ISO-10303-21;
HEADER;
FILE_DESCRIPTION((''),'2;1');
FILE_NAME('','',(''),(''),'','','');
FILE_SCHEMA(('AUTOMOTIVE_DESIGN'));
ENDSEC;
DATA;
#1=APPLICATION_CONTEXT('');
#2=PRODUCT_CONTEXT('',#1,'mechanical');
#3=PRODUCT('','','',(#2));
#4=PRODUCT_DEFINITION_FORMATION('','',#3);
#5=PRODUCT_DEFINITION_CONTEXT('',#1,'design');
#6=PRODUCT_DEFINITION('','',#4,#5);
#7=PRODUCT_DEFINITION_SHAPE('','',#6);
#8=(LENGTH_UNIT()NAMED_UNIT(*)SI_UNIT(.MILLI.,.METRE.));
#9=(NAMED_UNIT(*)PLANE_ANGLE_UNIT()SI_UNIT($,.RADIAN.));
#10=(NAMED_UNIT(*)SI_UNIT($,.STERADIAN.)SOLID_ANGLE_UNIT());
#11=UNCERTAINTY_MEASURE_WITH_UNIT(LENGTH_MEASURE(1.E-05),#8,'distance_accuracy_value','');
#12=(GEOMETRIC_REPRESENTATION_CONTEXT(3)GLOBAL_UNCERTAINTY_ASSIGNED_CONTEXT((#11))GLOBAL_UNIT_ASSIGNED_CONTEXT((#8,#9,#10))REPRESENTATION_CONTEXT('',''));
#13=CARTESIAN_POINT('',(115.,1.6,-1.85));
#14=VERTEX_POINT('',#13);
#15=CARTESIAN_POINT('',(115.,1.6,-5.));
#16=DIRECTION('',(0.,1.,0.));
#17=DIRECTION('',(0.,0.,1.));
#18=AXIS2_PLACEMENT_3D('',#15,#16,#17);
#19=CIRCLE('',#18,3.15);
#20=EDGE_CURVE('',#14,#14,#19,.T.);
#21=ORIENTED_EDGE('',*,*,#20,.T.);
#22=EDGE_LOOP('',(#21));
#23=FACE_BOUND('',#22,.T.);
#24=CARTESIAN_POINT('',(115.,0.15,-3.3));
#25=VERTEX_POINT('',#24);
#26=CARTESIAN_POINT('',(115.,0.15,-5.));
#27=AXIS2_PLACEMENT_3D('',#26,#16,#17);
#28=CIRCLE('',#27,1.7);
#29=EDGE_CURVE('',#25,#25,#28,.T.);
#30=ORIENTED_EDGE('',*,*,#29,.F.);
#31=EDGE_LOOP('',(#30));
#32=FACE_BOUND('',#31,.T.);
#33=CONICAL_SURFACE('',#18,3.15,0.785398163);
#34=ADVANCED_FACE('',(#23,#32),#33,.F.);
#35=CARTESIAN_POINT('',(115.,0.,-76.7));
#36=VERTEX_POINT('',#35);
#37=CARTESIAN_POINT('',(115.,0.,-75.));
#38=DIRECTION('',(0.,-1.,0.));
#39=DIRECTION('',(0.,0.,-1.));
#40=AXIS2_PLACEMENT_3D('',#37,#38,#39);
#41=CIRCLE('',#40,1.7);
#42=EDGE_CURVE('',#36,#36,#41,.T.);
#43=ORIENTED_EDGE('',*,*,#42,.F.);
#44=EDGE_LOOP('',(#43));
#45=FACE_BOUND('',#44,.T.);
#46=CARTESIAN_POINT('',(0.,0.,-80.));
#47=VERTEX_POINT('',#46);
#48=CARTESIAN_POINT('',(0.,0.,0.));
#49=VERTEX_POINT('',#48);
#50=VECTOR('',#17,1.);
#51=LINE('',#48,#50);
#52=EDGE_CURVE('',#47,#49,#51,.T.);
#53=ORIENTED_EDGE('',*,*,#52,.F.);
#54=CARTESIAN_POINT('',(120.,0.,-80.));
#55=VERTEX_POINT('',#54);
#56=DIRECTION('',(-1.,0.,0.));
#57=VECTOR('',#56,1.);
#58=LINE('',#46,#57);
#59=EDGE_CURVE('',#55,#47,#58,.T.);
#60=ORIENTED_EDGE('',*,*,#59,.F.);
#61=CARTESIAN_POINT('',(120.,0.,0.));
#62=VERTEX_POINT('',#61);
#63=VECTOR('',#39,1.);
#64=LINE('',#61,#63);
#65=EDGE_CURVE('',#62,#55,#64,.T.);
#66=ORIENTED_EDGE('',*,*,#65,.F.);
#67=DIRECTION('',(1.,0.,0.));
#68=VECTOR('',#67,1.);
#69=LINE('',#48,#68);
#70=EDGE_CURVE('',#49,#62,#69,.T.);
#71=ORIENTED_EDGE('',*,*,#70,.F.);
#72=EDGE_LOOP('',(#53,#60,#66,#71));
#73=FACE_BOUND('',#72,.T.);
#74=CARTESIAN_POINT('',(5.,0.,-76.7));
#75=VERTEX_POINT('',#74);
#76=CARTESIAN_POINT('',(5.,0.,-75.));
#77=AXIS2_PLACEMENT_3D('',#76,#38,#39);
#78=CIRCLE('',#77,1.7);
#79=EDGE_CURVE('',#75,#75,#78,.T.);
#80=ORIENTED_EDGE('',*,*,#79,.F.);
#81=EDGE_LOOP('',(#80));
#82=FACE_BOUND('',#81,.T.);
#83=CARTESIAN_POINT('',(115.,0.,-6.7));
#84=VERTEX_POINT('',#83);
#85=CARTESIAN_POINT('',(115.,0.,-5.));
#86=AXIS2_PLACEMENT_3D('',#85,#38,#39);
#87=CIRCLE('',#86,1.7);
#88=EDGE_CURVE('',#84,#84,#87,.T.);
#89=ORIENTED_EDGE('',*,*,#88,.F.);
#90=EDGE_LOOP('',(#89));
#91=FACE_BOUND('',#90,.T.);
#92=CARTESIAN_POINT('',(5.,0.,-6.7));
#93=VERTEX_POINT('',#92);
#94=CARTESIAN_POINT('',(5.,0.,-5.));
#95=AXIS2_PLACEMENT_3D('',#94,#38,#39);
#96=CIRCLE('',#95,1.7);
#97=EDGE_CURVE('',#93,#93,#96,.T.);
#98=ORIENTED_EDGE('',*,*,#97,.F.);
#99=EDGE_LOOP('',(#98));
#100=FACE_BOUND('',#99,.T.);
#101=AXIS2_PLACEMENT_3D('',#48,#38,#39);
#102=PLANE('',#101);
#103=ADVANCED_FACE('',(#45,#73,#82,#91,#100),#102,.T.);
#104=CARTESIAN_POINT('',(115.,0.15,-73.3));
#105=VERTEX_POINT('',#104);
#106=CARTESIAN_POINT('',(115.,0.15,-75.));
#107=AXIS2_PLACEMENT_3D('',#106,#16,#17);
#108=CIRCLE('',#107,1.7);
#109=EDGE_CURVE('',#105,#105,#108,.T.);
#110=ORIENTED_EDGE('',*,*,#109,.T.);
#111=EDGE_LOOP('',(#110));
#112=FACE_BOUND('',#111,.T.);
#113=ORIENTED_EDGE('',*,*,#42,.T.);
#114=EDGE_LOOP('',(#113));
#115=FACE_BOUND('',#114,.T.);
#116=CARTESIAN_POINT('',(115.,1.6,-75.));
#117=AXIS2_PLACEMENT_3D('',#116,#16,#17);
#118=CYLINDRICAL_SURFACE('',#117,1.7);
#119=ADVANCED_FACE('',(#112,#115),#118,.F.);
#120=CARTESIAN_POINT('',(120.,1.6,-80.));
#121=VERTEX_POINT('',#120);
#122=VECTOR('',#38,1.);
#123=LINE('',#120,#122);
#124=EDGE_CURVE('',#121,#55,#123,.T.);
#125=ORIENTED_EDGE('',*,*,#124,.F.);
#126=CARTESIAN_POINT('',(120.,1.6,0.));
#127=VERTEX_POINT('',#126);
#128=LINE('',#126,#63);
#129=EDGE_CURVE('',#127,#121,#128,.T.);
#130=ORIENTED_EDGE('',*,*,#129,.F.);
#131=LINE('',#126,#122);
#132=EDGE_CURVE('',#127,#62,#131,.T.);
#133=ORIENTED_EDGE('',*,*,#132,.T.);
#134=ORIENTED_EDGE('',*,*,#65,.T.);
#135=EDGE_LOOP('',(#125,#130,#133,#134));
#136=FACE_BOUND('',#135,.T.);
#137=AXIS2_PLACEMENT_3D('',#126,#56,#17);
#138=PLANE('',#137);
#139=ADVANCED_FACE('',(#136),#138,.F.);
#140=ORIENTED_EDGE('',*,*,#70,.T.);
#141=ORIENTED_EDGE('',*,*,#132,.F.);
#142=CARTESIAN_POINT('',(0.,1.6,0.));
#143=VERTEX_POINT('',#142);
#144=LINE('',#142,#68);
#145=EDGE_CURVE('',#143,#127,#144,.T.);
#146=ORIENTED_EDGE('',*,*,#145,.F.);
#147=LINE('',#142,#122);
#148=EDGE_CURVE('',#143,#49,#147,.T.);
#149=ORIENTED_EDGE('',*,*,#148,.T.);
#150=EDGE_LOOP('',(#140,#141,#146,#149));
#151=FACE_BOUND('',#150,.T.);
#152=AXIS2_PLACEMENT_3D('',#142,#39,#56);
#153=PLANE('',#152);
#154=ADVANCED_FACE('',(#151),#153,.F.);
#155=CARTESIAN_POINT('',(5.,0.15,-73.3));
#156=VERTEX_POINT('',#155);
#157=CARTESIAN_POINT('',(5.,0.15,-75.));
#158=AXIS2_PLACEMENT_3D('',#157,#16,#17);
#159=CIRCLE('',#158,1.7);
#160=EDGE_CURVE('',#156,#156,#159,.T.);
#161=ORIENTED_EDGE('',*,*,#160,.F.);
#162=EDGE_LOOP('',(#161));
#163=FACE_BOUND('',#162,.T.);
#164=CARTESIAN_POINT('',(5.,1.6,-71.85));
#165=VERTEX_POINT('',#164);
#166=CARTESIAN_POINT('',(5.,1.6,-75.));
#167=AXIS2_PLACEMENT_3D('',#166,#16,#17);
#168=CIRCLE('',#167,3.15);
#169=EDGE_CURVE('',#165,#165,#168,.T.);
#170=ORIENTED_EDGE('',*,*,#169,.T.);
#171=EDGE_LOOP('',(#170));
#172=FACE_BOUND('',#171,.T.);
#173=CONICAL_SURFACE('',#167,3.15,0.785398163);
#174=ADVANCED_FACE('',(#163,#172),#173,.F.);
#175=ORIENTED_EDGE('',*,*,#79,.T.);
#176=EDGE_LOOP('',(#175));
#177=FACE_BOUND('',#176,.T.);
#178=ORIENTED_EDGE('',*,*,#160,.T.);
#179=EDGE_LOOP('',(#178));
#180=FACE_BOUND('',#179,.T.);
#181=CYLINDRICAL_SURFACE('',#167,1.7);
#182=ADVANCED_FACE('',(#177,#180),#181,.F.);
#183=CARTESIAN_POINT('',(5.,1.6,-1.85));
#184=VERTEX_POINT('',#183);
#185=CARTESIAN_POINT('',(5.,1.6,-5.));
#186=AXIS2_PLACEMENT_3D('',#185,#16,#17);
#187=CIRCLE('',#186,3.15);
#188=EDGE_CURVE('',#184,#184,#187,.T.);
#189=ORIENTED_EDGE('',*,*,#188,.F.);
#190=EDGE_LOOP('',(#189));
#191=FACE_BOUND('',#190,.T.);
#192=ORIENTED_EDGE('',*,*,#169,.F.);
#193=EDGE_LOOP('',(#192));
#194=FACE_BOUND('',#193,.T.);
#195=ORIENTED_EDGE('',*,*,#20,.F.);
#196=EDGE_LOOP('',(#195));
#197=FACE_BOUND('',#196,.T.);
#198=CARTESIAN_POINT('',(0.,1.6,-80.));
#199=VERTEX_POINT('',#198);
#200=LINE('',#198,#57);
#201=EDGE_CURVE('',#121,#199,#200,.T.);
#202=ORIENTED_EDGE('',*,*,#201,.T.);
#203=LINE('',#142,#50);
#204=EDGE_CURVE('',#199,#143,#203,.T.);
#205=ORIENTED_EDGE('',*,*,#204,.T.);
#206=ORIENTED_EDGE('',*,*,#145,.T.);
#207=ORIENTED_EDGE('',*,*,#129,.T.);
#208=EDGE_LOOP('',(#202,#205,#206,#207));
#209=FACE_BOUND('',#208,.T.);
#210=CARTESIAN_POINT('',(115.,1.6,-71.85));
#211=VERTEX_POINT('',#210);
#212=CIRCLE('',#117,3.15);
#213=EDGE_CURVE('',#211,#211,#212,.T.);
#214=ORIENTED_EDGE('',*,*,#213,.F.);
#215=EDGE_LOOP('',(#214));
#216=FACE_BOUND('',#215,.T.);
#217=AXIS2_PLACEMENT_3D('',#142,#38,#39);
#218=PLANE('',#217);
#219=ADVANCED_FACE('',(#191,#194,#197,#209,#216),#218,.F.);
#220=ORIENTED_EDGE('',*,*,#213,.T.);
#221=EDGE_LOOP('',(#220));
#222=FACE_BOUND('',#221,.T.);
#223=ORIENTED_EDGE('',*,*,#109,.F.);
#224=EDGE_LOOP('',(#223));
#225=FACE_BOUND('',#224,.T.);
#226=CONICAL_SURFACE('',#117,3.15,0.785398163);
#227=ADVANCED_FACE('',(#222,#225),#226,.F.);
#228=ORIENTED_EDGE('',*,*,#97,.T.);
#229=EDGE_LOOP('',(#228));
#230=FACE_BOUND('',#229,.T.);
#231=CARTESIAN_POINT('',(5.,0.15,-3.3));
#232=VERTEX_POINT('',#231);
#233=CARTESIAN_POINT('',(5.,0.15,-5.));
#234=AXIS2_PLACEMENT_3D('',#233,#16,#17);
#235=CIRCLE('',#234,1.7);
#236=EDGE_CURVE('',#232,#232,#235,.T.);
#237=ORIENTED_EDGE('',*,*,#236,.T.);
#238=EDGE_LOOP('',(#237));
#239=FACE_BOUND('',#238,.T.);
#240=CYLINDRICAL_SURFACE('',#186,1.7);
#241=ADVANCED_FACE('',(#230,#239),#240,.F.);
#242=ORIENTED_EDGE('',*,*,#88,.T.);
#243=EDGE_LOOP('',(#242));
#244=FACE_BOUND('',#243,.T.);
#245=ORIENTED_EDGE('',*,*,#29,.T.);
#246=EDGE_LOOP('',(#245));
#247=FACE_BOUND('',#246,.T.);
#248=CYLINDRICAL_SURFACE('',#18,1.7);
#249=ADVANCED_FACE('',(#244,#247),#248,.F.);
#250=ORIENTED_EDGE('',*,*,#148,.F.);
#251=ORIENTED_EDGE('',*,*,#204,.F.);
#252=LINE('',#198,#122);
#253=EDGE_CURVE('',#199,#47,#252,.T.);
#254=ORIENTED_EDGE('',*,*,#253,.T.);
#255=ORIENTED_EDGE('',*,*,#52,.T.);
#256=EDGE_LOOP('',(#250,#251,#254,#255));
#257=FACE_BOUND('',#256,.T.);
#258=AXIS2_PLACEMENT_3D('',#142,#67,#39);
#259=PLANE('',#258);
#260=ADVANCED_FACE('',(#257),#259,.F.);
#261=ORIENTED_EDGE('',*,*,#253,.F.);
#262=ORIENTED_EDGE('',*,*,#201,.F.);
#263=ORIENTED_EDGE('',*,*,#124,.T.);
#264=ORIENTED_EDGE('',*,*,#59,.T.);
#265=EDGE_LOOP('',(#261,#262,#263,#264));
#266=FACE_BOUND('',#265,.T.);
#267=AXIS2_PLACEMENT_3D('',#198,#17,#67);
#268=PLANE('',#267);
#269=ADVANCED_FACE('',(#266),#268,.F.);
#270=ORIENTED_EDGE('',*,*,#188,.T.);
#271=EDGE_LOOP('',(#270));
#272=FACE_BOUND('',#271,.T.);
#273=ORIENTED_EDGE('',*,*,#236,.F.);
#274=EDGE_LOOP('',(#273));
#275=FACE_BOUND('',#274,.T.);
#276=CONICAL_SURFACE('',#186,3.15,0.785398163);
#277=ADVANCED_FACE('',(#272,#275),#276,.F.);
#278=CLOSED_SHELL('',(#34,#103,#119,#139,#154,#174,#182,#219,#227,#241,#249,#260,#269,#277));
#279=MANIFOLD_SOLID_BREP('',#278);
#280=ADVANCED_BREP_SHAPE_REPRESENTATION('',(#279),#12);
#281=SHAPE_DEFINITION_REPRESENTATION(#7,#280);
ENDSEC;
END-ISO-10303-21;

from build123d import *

# Parameters (mm, degrees)
SKETCH1_W                                           = 120
SKETCH1_H                                           = 80
BOSS_EXTRUDE1_DEPTH                                 = 1.6
CSK_FOR_M3_COUNTERSUNK_FLAT_HEAD_SCREW1_D           = 3.4
CSK_FOR_M3_COUNTERSUNK_FLAT_HEAD_SCREW1_DEPTH       = 30
CSK_FOR_M3_COUNTERSUNK_FLAT_HEAD_SCREW1_CSINK_D     = 6.3
CSK_FOR_M3_COUNTERSUNK_FLAT_HEAD_SCREW1_CSINK_ANGLE = 90
CSK_FOR_M3_COUNTERSUNK_FLAT_HEAD_SCREW1_TIP         = 1.021463052


with BuildPart() as part:
    # Sketch1 → Boss-Extrude1 (new body)
    with BuildSketch(Plane(origin=(0, 0, 0), x_dir=(1, 0, 0), z_dir=(0, 1, 0))):
        with Locations((60, 40)):
            Rectangle(SKETCH1_W, SKETCH1_H)
    extrude(amount=BOSS_EXTRUDE1_DEPTH)

    # CSK for M3 Countersunk Flat Head Screw1
    with Locations(Plane(origin=(0, 1.6, 0), x_dir=(1, 0, 0), z_dir=(0, 1, 0))):
        with Locations((5, 75), (5, 5), (115, 5), (115, 75)):
            CounterSinkHole(CSK_FOR_M3_COUNTERSUNK_FLAT_HEAD_SCREW1_D / 2, CSK_FOR_M3_COUNTERSUNK_FLAT_HEAD_SCREW1_CSINK_D / 2, depth=CSK_FOR_M3_COUNTERSUNK_FLAT_HEAD_SCREW1_DEPTH, counter_sink_angle=CSK_FOR_M3_COUNTERSUNK_FLAT_HEAD_SCREW1_CSINK_ANGLE)
            with Locations((0, 0, -(CSK_FOR_M3_COUNTERSUNK_FLAT_HEAD_SCREW1_DEPTH + CSK_FOR_M3_COUNTERSUNK_FLAT_HEAD_SCREW1_TIP / 2))):  # 118° drill point
                Cone(0, CSK_FOR_M3_COUNTERSUNK_FLAT_HEAD_SCREW1_D / 2, CSK_FOR_M3_COUNTERSUNK_FLAT_HEAD_SCREW1_TIP, mode=Mode.SUBTRACT)


solid = part.part
